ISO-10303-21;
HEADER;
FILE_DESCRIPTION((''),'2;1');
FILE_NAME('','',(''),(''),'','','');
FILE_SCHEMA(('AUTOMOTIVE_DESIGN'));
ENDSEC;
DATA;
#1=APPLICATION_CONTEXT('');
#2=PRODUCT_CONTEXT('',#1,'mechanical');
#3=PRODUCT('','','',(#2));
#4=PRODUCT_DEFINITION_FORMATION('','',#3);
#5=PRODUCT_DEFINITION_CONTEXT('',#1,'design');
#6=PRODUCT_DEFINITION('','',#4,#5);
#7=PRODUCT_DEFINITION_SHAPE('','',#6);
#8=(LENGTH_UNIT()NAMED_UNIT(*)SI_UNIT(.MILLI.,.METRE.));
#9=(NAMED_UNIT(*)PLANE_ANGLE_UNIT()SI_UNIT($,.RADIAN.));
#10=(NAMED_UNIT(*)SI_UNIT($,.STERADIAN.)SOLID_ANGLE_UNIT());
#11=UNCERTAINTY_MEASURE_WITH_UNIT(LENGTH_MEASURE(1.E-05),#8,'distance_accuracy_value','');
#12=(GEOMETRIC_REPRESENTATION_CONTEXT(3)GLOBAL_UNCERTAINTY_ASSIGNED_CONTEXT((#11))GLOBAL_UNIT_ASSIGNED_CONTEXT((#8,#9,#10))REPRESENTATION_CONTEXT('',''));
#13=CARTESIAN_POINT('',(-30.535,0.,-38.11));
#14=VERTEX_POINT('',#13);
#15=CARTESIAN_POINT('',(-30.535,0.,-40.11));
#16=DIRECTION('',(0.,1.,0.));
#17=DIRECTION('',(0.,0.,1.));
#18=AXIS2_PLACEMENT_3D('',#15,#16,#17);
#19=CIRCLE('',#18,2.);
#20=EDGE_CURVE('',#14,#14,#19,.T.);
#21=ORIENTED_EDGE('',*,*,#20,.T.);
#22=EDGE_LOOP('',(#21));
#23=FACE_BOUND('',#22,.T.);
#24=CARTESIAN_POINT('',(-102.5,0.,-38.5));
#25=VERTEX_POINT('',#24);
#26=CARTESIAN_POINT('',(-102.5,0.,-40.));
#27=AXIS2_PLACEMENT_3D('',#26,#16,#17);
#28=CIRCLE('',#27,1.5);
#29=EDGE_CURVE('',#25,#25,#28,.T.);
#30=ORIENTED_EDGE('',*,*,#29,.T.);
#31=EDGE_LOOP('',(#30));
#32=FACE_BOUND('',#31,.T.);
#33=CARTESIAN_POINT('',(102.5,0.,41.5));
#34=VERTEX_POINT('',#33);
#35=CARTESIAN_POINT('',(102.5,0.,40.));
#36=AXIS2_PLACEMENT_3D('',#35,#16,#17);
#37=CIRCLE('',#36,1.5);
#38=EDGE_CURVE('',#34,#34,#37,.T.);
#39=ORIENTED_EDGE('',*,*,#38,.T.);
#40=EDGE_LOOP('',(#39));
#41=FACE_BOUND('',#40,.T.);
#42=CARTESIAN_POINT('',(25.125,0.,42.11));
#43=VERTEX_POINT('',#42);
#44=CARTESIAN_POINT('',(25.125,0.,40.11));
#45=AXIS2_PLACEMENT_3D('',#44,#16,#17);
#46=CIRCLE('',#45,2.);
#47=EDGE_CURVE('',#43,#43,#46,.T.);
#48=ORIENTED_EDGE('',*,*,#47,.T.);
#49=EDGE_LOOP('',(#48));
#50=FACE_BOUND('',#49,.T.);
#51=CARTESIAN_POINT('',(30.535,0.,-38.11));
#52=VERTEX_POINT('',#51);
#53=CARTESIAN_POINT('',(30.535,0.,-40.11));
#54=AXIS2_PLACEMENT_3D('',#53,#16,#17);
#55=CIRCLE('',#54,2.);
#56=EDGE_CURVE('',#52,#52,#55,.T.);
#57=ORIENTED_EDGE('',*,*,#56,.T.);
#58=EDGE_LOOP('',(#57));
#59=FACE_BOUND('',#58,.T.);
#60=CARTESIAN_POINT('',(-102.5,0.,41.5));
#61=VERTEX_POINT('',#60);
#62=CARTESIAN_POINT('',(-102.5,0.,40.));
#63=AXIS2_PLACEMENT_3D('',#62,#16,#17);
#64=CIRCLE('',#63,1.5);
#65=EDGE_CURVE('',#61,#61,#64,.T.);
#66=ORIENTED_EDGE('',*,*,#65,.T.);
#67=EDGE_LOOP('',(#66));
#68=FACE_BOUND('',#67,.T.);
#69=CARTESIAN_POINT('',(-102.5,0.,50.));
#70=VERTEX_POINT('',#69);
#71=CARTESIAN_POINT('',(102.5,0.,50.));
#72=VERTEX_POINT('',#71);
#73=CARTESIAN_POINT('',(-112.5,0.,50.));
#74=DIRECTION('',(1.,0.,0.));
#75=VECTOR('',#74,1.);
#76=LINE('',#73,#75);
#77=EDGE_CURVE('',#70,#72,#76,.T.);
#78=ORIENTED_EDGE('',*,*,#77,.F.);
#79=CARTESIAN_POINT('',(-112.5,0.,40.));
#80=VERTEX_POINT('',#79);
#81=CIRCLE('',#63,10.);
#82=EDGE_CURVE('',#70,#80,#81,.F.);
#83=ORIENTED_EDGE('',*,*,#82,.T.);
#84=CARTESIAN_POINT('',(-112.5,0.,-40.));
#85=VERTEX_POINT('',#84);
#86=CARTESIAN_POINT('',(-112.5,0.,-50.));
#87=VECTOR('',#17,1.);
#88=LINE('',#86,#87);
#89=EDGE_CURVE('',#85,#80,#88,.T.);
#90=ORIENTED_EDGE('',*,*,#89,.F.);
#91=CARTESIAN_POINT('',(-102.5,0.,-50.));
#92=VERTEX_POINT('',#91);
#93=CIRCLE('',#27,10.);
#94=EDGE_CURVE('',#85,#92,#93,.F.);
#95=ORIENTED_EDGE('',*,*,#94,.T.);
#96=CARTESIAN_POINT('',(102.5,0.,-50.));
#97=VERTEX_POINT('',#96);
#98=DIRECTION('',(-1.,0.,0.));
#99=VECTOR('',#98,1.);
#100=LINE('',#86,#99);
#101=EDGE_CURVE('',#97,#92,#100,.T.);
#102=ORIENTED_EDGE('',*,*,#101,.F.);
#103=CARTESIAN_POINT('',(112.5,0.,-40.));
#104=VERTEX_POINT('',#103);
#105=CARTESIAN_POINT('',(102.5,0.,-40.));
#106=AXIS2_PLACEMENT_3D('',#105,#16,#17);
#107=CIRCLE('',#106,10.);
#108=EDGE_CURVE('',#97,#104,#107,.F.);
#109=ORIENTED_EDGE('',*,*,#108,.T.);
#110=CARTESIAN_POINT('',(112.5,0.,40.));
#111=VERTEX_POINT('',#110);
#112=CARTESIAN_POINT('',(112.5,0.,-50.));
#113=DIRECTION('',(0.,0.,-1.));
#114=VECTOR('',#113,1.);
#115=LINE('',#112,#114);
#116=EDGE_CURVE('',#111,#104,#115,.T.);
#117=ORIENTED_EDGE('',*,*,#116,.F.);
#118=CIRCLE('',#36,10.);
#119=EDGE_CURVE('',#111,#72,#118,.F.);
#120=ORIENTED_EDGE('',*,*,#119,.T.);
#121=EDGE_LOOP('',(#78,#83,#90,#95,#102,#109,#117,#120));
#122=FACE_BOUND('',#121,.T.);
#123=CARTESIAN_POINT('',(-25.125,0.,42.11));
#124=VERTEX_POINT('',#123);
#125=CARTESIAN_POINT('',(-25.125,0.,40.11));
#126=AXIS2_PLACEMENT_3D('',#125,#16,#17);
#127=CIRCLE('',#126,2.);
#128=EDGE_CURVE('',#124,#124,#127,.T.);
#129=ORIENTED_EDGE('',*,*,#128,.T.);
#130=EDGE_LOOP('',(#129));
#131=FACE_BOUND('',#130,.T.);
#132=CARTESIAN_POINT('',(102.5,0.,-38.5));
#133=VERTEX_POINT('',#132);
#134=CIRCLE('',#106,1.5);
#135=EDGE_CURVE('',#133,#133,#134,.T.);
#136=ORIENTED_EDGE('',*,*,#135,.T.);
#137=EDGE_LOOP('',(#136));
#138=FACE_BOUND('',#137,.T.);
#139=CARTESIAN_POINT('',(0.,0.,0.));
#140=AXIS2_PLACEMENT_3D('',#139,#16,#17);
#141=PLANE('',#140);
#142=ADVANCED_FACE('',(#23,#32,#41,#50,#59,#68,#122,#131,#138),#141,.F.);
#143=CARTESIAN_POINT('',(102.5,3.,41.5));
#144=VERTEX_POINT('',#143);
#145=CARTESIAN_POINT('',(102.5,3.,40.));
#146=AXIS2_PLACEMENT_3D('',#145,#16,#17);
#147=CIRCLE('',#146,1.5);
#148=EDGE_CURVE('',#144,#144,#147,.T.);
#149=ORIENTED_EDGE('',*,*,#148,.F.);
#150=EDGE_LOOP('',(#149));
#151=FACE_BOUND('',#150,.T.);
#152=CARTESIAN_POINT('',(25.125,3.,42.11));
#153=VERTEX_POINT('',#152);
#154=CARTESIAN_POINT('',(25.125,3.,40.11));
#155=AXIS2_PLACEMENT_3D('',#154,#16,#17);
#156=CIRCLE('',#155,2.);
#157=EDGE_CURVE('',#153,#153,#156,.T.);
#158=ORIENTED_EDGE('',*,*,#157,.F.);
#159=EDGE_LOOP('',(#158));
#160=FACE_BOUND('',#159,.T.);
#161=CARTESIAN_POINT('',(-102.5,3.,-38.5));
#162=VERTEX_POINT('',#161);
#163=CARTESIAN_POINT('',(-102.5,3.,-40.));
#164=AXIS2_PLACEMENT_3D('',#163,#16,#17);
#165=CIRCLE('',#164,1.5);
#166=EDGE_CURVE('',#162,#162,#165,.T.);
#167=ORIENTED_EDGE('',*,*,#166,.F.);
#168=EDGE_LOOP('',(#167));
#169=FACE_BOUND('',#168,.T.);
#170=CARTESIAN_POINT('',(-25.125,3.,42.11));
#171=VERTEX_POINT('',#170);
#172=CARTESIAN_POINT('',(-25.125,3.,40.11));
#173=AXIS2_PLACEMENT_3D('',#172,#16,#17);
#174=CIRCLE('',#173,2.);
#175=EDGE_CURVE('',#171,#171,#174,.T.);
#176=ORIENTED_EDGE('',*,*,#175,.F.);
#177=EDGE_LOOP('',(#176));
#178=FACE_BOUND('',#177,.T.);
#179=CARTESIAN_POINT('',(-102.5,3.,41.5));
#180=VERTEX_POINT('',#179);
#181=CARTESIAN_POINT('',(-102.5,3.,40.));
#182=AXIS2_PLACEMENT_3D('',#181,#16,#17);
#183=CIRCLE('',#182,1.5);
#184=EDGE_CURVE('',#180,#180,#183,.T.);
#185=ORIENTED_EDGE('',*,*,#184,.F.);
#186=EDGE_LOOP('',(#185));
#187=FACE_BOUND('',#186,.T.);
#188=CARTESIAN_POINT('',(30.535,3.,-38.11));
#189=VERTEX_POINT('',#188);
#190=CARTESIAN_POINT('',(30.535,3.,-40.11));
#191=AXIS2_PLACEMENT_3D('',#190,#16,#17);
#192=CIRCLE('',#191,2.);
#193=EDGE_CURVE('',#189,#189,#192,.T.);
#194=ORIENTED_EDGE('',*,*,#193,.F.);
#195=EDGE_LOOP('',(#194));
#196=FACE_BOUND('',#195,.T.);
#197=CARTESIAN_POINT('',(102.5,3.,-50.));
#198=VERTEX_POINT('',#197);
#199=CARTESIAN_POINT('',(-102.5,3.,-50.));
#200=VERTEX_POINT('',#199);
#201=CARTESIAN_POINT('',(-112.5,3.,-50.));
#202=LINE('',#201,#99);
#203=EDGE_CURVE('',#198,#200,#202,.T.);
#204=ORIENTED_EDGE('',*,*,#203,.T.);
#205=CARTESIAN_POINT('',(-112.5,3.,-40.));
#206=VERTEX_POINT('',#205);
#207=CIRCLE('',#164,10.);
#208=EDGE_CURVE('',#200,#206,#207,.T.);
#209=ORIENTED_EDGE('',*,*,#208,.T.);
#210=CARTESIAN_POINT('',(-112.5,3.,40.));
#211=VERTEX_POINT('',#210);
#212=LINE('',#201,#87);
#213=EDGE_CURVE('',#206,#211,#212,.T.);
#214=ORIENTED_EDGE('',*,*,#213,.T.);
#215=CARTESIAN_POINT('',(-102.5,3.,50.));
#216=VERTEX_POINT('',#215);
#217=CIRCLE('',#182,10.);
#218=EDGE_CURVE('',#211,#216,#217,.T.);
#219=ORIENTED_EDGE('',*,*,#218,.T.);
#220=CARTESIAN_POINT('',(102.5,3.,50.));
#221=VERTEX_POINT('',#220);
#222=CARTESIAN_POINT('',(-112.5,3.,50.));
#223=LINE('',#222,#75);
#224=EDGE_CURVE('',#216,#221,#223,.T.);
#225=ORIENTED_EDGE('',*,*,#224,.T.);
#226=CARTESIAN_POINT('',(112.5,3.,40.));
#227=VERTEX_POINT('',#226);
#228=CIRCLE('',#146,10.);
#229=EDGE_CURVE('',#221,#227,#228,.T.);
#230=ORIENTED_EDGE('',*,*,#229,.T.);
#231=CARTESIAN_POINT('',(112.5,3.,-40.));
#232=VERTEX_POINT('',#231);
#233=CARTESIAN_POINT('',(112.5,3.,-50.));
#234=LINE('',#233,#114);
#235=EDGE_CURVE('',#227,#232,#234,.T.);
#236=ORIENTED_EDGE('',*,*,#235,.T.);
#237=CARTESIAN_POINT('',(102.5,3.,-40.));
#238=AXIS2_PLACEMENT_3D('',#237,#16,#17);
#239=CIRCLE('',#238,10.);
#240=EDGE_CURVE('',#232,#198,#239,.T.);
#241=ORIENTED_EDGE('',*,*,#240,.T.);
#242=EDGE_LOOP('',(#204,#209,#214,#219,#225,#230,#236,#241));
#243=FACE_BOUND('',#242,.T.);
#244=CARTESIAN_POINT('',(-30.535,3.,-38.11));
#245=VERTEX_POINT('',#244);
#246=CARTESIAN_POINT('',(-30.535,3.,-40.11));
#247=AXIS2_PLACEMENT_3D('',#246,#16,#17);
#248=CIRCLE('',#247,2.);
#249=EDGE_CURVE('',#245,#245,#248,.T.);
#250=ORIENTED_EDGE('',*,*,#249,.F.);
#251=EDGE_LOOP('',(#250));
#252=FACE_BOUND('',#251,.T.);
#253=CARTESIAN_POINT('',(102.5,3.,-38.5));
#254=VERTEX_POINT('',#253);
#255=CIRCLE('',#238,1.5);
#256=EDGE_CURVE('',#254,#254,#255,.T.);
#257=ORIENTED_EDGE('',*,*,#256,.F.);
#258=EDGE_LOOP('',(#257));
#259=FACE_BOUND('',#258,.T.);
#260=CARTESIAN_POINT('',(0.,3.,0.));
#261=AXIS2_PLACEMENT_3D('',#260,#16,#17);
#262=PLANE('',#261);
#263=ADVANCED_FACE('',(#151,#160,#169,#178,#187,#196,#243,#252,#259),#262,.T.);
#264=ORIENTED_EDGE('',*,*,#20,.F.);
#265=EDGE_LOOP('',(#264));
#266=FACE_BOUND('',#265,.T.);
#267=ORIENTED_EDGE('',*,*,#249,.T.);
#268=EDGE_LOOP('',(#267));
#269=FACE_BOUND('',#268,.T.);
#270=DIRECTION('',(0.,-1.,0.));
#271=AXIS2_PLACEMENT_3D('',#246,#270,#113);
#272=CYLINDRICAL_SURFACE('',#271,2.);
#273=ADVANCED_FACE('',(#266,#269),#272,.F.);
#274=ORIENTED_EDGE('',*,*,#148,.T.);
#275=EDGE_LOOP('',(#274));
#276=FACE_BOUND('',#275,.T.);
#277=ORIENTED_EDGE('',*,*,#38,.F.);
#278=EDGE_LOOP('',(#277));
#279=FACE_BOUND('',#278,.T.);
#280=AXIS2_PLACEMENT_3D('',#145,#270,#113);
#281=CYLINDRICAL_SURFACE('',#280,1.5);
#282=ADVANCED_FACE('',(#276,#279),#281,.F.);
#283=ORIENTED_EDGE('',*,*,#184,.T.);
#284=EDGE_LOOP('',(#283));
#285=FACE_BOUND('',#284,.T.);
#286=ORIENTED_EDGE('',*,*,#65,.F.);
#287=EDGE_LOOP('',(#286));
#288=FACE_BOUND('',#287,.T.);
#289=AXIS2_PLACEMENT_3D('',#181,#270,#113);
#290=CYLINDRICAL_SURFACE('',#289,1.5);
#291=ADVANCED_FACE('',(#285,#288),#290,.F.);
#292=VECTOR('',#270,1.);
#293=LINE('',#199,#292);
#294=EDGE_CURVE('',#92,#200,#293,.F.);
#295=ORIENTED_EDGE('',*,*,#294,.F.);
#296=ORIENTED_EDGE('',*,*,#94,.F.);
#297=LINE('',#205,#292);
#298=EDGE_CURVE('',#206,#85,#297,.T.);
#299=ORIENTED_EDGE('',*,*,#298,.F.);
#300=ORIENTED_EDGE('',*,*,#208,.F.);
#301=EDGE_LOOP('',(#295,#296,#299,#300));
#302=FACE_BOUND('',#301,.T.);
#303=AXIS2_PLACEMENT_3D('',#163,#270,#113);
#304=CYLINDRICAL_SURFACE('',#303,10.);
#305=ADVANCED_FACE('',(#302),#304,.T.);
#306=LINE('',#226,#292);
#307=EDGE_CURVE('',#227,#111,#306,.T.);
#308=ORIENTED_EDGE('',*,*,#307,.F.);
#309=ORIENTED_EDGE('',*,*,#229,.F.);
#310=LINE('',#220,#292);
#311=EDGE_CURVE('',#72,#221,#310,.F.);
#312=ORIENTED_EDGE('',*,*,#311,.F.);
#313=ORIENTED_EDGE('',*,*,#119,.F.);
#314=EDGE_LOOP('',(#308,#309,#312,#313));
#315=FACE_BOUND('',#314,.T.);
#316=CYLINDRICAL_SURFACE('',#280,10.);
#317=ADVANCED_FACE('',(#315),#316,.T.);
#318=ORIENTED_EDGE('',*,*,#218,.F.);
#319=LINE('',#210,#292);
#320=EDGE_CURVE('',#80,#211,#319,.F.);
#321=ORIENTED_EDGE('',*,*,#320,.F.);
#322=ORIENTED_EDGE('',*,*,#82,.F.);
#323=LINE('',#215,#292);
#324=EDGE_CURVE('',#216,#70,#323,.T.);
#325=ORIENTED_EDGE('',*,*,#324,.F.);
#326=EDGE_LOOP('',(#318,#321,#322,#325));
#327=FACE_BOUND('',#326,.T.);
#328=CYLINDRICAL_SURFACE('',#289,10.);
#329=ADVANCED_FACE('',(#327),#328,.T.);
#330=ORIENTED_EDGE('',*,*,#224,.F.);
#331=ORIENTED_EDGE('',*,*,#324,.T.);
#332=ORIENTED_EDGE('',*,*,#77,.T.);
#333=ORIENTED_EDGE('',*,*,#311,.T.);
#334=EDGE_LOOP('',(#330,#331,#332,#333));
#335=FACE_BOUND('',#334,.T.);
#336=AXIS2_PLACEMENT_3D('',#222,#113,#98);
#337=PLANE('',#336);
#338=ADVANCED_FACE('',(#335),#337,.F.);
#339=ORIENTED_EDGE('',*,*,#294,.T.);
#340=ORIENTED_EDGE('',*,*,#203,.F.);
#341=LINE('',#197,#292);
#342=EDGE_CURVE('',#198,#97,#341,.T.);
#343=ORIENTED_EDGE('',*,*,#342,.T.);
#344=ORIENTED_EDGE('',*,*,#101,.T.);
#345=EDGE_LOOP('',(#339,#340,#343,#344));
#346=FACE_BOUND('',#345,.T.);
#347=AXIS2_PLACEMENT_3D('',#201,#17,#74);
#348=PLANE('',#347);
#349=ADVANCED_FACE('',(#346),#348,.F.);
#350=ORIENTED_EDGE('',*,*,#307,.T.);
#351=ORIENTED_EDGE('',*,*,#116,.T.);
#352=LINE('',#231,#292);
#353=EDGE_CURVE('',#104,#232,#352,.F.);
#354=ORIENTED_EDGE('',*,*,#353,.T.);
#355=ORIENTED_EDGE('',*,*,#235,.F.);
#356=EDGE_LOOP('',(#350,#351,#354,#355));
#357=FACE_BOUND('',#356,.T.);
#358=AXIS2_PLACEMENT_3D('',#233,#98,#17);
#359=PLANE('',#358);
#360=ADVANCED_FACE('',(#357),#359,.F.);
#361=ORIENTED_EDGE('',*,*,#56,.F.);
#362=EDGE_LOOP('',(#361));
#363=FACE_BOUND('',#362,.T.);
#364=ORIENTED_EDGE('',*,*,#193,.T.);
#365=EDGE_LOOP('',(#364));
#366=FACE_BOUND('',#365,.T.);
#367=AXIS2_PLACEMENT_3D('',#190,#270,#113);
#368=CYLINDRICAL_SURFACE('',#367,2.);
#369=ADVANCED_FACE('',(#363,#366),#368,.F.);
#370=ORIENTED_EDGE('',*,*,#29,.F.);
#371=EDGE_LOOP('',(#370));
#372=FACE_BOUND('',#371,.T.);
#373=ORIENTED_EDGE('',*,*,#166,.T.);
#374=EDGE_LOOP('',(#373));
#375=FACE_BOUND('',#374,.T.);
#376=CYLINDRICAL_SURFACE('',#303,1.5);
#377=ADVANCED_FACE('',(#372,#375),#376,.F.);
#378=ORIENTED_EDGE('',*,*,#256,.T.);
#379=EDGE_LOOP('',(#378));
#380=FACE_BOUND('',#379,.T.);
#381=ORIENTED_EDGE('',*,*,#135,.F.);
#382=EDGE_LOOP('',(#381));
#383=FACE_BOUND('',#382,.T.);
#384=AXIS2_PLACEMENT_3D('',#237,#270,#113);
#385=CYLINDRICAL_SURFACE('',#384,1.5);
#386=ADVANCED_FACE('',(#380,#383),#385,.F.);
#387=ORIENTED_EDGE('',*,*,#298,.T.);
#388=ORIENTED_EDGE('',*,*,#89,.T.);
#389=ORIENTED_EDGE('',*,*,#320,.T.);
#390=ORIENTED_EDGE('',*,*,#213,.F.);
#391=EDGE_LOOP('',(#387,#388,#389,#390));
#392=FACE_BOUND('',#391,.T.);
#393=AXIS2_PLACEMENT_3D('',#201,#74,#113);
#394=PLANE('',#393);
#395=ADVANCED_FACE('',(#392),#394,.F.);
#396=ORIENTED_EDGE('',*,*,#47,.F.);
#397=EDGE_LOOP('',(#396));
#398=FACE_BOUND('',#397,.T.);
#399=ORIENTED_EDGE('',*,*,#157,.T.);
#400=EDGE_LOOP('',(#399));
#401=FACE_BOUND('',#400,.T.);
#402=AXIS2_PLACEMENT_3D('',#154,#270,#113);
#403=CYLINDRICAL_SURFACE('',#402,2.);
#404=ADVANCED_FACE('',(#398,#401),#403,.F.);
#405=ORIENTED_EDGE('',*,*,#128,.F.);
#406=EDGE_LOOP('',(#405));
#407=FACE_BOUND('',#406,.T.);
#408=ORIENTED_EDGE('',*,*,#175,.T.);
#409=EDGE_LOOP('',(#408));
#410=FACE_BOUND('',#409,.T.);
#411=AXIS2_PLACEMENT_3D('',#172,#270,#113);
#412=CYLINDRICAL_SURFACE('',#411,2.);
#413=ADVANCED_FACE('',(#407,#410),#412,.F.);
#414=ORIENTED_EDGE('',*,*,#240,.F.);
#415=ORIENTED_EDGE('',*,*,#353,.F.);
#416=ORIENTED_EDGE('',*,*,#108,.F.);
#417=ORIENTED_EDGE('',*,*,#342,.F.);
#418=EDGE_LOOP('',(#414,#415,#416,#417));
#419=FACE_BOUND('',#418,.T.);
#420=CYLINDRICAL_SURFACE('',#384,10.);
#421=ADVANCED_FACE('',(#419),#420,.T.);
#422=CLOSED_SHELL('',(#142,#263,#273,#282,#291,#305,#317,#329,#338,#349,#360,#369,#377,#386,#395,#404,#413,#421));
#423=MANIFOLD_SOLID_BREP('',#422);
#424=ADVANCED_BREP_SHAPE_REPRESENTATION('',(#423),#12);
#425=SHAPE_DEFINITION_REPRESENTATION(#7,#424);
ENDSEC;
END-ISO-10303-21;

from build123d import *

# Parameters (mm, degrees)
SKETCH1_W           = 225
SKETCH1_H           = 100
SKETCH1_R           = 1.5
SKETCH1_R_2         = 2
BOSS_EXTRUDE1_DEPTH = 3
FILLET1_R           = 10


with BuildPart() as part:
    # Sketch1 → Boss-Extrude1 (new body)
    with BuildSketch(Plane(origin=(0, 0, 0), x_dir=(1, 0, 0), z_dir=(0, 1, 0))):
        Rectangle(SKETCH1_W, SKETCH1_H)
        with Locations((-102.5, 40)):
            Circle(SKETCH1_R, mode=Mode.SUBTRACT)
        with Locations((102.5, 40)):
            Circle(SKETCH1_R, mode=Mode.SUBTRACT)
        with Locations((-102.5, -40)):
            Circle(SKETCH1_R, mode=Mode.SUBTRACT)
        with Locations((102.5, -40)):
            Circle(SKETCH1_R, mode=Mode.SUBTRACT)
        with Locations((-30.535, 40.11)):
            Circle(SKETCH1_R_2, mode=Mode.SUBTRACT)
        with Locations((30.535, 40.11)):
            Circle(SKETCH1_R_2, mode=Mode.SUBTRACT)
        with Locations((25.125, -40.11)):
            Circle(SKETCH1_R_2, mode=Mode.SUBTRACT)
        with Locations((-25.125, -40.11)):
            Circle(SKETCH1_R_2, mode=Mode.SUBTRACT)
    extrude(amount=BOSS_EXTRUDE1_DEPTH)

    # Fillet1
    fillet1_edges = [part.edges().sort_by_distance(p)[0] for p in [
        (112.5, 1.5, 50),
        (-112.5, 1.5, 50),
        (-112.5, 1.5, -50),
        (112.5, 1.5, -50),
    ]]
    fillet(fillet1_edges, radius=FILLET1_R)


solid = part.part
